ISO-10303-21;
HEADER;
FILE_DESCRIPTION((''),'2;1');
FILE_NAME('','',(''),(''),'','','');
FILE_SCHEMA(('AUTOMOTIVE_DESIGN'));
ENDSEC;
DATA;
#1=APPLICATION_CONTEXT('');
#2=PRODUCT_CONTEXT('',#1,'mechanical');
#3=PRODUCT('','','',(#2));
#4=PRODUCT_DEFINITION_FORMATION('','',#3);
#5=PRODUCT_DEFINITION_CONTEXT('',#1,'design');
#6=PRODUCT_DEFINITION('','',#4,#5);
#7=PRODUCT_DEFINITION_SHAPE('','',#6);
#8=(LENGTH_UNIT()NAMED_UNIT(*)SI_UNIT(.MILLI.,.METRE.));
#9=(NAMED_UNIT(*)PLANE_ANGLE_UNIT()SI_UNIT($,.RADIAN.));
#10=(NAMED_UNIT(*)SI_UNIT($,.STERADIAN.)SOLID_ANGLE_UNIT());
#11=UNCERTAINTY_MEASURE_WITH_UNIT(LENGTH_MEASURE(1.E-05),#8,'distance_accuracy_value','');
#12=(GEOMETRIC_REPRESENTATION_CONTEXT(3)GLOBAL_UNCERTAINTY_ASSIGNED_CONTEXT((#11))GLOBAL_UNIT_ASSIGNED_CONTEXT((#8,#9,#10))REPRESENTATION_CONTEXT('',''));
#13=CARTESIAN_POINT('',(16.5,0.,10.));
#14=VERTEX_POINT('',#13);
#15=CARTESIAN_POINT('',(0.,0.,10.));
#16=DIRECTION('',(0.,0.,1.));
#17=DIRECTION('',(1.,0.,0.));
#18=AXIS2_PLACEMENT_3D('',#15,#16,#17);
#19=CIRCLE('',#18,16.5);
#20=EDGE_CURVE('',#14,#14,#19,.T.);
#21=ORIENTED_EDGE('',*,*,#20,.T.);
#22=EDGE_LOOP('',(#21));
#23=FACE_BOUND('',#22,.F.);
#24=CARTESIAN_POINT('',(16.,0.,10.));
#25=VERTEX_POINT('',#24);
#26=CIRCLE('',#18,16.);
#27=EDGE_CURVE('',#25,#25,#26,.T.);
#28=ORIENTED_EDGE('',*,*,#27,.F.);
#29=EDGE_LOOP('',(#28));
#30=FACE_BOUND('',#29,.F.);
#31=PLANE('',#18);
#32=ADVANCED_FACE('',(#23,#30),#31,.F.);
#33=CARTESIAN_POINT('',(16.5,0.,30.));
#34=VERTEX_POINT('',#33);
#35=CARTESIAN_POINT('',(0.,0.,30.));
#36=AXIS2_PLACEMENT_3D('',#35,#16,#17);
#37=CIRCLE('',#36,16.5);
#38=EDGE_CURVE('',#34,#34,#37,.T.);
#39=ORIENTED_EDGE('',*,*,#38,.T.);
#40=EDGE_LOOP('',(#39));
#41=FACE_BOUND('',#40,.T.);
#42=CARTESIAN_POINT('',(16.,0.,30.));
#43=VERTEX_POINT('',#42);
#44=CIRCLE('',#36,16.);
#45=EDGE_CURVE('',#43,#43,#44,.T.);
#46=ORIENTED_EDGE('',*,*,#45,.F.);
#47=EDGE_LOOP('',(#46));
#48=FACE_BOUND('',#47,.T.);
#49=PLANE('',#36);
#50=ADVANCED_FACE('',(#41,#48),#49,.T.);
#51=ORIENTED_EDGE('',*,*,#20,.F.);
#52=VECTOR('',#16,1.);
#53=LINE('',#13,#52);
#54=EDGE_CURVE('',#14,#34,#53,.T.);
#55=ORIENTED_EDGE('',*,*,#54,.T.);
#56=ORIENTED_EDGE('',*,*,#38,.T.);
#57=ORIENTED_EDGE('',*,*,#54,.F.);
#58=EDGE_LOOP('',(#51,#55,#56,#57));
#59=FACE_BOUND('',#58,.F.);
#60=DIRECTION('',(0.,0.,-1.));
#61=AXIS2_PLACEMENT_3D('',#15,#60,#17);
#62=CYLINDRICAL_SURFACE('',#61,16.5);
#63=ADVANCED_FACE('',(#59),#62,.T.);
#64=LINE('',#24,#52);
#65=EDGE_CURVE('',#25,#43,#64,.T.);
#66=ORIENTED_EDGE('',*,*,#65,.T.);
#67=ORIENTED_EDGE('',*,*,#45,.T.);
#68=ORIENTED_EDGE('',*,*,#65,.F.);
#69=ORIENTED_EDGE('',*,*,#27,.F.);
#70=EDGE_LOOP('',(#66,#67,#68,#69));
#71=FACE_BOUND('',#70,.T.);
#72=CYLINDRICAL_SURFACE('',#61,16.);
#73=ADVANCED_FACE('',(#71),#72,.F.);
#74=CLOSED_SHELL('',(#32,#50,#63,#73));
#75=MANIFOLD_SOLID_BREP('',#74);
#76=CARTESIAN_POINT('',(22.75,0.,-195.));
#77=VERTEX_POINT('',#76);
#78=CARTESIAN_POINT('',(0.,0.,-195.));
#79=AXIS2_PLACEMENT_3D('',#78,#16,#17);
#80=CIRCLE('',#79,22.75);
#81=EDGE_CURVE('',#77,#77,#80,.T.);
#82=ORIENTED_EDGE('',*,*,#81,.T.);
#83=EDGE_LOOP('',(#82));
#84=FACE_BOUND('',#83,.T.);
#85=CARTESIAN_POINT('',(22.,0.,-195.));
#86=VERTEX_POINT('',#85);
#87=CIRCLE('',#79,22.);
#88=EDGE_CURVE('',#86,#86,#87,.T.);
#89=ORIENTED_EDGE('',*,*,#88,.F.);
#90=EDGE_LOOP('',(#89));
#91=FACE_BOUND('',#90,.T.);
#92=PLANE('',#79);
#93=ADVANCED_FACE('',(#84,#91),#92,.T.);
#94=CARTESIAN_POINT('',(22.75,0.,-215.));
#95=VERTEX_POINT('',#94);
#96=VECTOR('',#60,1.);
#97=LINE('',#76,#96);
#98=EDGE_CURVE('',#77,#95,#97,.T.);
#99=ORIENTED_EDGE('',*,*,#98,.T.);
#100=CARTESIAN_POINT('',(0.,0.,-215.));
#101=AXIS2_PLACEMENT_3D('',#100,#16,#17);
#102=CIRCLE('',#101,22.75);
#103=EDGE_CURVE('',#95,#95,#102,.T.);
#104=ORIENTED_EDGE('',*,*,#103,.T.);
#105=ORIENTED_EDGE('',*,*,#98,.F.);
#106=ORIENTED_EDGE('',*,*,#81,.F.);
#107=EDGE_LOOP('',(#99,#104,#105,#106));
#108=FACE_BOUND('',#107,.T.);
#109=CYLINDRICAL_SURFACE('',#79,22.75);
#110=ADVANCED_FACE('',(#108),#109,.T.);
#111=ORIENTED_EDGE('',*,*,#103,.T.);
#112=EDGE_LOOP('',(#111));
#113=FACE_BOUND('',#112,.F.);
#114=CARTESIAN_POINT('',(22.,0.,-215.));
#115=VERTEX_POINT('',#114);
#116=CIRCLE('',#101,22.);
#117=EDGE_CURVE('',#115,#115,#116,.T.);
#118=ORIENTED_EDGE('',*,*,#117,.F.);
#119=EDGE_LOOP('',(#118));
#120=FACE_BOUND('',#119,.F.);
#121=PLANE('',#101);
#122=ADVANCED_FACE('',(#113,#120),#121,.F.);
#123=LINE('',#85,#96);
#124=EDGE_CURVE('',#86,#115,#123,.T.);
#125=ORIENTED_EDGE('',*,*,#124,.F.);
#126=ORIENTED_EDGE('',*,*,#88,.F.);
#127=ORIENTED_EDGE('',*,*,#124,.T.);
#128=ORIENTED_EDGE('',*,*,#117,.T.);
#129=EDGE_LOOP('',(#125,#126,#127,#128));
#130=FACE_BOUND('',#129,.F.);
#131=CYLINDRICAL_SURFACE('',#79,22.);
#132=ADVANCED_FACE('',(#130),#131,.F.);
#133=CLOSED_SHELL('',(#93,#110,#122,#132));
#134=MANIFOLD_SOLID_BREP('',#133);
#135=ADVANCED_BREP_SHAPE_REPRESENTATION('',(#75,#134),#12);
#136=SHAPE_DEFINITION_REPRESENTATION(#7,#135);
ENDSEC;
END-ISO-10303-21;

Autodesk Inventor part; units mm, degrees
ref_plane "YZ Plane" through (0, 0, 0) normal (1, 0, 0) x (0, 1, 0)
ref_plane "XZ Plane" through (0, 0, 0) normal (0, 1, 0) x (-1, 0, 0)
ref_plane "XY Plane" through (0, 0, 0) normal (0, 0, 1) x (1, 0, 0)
ref_plane "Work Plane1" through (0, 0, 10) normal (0, 0, 1) x (1, 0, 0)
ref_plane "Work Plane2" through (0, 0, -195) normal (0, 0, 1) x (1, 0, 0)
sketch "Sketch1" plane through (0, 0, 10) normal (0, 0, 1) x (1, 0, 0)
  circle A0 centre (0, 0) radius 16
  circle A1 centre (0, 0) radius 16.5
  dimension "d7" = 33
extrude "Extrusion1" add sketch "Sketch1" along normal blind 20
sketch "Sketch2" plane through (0, 0, -195) normal (0, 0, 1) x (1, 0, 0)
  circle A0 centre (0, 0) radius 22
  circle A1 centre (0, 0) radius 22.75
  dimension "d6" = 45.5
extrude "Extrusion2" add sketch "Sketch2" against normal blind 20
properties part number "buttons2_flexible_buttons"
